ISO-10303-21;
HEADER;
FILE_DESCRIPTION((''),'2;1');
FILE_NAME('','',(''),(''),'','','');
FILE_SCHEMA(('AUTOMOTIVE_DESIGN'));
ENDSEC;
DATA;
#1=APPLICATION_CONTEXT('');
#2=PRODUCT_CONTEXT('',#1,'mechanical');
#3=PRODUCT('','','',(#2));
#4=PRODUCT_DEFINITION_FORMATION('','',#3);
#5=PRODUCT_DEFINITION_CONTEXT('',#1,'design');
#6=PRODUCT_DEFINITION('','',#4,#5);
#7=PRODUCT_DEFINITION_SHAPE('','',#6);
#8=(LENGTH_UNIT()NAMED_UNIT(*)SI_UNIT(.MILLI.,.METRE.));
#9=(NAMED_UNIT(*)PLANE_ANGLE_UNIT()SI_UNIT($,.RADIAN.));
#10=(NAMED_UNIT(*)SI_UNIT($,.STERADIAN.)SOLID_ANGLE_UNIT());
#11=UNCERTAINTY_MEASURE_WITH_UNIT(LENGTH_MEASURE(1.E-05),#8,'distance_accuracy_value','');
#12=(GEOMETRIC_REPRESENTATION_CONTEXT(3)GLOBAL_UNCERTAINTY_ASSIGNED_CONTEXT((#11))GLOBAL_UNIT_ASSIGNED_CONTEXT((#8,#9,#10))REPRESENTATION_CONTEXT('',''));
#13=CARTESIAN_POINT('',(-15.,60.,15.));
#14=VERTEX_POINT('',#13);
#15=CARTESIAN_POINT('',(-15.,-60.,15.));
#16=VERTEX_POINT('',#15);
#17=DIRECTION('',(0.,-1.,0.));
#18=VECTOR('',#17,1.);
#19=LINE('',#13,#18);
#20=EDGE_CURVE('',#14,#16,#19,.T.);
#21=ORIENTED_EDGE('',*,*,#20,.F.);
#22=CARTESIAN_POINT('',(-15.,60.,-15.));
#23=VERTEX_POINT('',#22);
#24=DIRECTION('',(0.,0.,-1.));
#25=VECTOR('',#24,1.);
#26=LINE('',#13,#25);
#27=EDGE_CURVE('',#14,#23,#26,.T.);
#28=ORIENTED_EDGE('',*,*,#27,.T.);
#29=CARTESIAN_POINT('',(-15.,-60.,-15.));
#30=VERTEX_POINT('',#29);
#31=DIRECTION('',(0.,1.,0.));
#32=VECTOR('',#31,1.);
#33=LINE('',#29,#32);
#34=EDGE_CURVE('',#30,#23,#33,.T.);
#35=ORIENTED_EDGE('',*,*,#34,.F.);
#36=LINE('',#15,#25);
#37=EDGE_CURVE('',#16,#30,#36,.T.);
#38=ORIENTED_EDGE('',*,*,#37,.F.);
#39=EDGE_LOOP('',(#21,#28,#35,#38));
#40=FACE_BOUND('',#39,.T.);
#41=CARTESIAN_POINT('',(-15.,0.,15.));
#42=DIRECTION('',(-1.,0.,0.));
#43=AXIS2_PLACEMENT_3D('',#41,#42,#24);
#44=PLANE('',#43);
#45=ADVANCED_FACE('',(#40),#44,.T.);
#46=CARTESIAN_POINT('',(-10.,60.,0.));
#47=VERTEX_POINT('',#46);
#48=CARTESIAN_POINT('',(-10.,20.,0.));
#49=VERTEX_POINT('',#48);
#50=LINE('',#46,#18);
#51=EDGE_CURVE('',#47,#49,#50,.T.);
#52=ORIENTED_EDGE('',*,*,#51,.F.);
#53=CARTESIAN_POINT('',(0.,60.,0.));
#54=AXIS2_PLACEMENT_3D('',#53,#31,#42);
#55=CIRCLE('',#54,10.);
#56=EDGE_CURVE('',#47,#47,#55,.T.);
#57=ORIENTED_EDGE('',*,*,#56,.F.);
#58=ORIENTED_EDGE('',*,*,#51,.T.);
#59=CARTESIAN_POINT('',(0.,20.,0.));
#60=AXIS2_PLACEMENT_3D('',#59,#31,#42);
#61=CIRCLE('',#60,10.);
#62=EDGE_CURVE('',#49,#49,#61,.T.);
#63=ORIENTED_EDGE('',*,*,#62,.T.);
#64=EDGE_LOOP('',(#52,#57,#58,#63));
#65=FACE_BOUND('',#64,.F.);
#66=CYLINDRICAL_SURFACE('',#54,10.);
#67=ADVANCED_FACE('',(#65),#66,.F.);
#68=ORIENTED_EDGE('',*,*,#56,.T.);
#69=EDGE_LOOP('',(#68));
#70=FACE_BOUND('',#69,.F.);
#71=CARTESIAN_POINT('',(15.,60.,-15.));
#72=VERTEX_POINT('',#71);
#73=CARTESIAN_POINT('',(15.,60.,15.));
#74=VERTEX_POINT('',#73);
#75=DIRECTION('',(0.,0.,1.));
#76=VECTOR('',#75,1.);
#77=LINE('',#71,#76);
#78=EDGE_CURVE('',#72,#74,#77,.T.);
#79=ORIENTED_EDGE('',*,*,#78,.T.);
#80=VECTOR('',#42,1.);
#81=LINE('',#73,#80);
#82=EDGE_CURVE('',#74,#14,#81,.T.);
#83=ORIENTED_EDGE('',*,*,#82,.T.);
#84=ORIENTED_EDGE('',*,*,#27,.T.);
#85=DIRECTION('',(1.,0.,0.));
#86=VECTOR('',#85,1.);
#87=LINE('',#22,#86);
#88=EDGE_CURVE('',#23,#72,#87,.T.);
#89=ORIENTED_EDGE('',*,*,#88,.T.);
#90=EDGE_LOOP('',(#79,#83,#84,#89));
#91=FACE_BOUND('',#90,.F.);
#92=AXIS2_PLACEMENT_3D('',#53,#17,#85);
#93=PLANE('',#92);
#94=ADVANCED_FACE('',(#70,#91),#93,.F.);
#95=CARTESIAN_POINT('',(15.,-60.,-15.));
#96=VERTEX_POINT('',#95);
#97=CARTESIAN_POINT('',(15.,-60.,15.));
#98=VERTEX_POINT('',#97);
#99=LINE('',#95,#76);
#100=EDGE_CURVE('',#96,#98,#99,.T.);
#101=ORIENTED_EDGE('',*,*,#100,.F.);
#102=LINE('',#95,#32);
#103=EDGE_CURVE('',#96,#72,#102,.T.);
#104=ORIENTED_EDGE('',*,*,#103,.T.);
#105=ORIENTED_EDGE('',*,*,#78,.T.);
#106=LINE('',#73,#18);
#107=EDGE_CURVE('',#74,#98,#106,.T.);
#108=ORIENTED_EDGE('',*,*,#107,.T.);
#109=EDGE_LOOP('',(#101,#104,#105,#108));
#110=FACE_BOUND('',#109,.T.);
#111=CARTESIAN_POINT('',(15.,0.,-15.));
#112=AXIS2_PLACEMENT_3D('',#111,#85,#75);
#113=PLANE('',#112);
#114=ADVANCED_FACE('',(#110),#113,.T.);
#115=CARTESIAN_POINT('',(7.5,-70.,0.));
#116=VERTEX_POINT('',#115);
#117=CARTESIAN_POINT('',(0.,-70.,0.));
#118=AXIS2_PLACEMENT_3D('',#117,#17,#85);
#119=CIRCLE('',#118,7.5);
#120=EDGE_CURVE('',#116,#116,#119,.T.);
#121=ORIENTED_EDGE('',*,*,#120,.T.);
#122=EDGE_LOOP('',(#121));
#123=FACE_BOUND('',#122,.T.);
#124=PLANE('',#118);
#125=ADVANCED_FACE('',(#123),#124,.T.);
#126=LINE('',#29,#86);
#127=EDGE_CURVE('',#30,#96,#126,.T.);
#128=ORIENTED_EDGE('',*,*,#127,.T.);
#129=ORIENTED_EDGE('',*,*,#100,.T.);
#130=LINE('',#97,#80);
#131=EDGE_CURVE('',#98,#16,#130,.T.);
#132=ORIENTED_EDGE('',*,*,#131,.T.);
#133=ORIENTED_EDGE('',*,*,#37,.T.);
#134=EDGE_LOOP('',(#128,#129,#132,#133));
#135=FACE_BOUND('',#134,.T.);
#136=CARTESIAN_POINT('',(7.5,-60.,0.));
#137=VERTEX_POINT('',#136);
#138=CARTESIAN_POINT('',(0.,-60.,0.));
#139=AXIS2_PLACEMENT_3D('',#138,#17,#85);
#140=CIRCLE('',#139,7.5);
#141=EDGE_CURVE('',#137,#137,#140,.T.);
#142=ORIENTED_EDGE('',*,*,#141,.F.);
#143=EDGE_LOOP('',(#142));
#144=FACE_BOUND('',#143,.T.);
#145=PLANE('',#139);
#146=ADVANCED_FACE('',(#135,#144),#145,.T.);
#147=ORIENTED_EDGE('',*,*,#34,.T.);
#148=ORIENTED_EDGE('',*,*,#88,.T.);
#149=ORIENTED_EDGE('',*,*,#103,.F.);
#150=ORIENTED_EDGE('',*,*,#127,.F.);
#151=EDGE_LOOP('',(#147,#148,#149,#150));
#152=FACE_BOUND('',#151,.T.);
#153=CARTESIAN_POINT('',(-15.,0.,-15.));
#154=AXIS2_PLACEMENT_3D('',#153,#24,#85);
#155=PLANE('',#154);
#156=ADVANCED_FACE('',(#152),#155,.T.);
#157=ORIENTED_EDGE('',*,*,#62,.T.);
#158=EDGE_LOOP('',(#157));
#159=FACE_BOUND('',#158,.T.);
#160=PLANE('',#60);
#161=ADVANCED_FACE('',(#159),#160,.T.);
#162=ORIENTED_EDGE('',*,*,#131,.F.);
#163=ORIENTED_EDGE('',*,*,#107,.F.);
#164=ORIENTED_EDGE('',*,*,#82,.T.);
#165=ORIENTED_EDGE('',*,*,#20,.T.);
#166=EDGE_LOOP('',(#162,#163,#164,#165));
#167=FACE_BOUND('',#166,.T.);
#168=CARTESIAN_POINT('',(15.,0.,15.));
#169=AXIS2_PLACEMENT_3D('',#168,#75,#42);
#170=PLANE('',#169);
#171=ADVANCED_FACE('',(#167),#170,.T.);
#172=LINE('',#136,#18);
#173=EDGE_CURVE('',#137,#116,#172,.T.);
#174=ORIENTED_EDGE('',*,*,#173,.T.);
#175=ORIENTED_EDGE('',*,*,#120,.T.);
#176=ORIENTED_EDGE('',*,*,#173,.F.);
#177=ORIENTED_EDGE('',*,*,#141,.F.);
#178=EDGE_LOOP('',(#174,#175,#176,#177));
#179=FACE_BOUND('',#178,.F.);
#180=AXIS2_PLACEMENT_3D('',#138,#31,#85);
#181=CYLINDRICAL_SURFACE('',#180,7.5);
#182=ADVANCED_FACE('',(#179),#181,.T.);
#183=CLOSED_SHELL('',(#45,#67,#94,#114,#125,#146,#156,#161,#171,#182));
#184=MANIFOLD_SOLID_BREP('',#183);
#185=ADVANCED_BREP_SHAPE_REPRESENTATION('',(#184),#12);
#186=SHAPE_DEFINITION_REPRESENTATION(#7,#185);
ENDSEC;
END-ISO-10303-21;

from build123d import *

# Parameters (mm, degrees)
F1_DEPTH = 60
F2_R     = 7.5
F3_DEPTH = 10
F4_R     = 10
F5_DEPTH = 40


with BuildPart() as f1:
    # F0 (on Front) → F1 (new body, symmetric)
    with BuildSketch(Plane.XZ):
        Polygon((15, -15), (15, 0), (15, 15), (0, 15), (-15, 15), (-15, -15), align=None)
    extrude(amount=F1_DEPTH, both=True)

    # F2 (on face) → F3 (join)
    with BuildSketch(Plane.XZ.offset(60)):
        Circle(F2_R)
    extrude(amount=F3_DEPTH)

    # F4 (on face) → F5 (cut)
    with BuildSketch(Plane(origin=(0, 60, 0), x_dir=(-1, 0, 0), z_dir=(0, 1, 0))):
        Circle(F4_R)
    extrude(amount=-F5_DEPTH, mode=Mode.SUBTRACT)


solid = f1.part
